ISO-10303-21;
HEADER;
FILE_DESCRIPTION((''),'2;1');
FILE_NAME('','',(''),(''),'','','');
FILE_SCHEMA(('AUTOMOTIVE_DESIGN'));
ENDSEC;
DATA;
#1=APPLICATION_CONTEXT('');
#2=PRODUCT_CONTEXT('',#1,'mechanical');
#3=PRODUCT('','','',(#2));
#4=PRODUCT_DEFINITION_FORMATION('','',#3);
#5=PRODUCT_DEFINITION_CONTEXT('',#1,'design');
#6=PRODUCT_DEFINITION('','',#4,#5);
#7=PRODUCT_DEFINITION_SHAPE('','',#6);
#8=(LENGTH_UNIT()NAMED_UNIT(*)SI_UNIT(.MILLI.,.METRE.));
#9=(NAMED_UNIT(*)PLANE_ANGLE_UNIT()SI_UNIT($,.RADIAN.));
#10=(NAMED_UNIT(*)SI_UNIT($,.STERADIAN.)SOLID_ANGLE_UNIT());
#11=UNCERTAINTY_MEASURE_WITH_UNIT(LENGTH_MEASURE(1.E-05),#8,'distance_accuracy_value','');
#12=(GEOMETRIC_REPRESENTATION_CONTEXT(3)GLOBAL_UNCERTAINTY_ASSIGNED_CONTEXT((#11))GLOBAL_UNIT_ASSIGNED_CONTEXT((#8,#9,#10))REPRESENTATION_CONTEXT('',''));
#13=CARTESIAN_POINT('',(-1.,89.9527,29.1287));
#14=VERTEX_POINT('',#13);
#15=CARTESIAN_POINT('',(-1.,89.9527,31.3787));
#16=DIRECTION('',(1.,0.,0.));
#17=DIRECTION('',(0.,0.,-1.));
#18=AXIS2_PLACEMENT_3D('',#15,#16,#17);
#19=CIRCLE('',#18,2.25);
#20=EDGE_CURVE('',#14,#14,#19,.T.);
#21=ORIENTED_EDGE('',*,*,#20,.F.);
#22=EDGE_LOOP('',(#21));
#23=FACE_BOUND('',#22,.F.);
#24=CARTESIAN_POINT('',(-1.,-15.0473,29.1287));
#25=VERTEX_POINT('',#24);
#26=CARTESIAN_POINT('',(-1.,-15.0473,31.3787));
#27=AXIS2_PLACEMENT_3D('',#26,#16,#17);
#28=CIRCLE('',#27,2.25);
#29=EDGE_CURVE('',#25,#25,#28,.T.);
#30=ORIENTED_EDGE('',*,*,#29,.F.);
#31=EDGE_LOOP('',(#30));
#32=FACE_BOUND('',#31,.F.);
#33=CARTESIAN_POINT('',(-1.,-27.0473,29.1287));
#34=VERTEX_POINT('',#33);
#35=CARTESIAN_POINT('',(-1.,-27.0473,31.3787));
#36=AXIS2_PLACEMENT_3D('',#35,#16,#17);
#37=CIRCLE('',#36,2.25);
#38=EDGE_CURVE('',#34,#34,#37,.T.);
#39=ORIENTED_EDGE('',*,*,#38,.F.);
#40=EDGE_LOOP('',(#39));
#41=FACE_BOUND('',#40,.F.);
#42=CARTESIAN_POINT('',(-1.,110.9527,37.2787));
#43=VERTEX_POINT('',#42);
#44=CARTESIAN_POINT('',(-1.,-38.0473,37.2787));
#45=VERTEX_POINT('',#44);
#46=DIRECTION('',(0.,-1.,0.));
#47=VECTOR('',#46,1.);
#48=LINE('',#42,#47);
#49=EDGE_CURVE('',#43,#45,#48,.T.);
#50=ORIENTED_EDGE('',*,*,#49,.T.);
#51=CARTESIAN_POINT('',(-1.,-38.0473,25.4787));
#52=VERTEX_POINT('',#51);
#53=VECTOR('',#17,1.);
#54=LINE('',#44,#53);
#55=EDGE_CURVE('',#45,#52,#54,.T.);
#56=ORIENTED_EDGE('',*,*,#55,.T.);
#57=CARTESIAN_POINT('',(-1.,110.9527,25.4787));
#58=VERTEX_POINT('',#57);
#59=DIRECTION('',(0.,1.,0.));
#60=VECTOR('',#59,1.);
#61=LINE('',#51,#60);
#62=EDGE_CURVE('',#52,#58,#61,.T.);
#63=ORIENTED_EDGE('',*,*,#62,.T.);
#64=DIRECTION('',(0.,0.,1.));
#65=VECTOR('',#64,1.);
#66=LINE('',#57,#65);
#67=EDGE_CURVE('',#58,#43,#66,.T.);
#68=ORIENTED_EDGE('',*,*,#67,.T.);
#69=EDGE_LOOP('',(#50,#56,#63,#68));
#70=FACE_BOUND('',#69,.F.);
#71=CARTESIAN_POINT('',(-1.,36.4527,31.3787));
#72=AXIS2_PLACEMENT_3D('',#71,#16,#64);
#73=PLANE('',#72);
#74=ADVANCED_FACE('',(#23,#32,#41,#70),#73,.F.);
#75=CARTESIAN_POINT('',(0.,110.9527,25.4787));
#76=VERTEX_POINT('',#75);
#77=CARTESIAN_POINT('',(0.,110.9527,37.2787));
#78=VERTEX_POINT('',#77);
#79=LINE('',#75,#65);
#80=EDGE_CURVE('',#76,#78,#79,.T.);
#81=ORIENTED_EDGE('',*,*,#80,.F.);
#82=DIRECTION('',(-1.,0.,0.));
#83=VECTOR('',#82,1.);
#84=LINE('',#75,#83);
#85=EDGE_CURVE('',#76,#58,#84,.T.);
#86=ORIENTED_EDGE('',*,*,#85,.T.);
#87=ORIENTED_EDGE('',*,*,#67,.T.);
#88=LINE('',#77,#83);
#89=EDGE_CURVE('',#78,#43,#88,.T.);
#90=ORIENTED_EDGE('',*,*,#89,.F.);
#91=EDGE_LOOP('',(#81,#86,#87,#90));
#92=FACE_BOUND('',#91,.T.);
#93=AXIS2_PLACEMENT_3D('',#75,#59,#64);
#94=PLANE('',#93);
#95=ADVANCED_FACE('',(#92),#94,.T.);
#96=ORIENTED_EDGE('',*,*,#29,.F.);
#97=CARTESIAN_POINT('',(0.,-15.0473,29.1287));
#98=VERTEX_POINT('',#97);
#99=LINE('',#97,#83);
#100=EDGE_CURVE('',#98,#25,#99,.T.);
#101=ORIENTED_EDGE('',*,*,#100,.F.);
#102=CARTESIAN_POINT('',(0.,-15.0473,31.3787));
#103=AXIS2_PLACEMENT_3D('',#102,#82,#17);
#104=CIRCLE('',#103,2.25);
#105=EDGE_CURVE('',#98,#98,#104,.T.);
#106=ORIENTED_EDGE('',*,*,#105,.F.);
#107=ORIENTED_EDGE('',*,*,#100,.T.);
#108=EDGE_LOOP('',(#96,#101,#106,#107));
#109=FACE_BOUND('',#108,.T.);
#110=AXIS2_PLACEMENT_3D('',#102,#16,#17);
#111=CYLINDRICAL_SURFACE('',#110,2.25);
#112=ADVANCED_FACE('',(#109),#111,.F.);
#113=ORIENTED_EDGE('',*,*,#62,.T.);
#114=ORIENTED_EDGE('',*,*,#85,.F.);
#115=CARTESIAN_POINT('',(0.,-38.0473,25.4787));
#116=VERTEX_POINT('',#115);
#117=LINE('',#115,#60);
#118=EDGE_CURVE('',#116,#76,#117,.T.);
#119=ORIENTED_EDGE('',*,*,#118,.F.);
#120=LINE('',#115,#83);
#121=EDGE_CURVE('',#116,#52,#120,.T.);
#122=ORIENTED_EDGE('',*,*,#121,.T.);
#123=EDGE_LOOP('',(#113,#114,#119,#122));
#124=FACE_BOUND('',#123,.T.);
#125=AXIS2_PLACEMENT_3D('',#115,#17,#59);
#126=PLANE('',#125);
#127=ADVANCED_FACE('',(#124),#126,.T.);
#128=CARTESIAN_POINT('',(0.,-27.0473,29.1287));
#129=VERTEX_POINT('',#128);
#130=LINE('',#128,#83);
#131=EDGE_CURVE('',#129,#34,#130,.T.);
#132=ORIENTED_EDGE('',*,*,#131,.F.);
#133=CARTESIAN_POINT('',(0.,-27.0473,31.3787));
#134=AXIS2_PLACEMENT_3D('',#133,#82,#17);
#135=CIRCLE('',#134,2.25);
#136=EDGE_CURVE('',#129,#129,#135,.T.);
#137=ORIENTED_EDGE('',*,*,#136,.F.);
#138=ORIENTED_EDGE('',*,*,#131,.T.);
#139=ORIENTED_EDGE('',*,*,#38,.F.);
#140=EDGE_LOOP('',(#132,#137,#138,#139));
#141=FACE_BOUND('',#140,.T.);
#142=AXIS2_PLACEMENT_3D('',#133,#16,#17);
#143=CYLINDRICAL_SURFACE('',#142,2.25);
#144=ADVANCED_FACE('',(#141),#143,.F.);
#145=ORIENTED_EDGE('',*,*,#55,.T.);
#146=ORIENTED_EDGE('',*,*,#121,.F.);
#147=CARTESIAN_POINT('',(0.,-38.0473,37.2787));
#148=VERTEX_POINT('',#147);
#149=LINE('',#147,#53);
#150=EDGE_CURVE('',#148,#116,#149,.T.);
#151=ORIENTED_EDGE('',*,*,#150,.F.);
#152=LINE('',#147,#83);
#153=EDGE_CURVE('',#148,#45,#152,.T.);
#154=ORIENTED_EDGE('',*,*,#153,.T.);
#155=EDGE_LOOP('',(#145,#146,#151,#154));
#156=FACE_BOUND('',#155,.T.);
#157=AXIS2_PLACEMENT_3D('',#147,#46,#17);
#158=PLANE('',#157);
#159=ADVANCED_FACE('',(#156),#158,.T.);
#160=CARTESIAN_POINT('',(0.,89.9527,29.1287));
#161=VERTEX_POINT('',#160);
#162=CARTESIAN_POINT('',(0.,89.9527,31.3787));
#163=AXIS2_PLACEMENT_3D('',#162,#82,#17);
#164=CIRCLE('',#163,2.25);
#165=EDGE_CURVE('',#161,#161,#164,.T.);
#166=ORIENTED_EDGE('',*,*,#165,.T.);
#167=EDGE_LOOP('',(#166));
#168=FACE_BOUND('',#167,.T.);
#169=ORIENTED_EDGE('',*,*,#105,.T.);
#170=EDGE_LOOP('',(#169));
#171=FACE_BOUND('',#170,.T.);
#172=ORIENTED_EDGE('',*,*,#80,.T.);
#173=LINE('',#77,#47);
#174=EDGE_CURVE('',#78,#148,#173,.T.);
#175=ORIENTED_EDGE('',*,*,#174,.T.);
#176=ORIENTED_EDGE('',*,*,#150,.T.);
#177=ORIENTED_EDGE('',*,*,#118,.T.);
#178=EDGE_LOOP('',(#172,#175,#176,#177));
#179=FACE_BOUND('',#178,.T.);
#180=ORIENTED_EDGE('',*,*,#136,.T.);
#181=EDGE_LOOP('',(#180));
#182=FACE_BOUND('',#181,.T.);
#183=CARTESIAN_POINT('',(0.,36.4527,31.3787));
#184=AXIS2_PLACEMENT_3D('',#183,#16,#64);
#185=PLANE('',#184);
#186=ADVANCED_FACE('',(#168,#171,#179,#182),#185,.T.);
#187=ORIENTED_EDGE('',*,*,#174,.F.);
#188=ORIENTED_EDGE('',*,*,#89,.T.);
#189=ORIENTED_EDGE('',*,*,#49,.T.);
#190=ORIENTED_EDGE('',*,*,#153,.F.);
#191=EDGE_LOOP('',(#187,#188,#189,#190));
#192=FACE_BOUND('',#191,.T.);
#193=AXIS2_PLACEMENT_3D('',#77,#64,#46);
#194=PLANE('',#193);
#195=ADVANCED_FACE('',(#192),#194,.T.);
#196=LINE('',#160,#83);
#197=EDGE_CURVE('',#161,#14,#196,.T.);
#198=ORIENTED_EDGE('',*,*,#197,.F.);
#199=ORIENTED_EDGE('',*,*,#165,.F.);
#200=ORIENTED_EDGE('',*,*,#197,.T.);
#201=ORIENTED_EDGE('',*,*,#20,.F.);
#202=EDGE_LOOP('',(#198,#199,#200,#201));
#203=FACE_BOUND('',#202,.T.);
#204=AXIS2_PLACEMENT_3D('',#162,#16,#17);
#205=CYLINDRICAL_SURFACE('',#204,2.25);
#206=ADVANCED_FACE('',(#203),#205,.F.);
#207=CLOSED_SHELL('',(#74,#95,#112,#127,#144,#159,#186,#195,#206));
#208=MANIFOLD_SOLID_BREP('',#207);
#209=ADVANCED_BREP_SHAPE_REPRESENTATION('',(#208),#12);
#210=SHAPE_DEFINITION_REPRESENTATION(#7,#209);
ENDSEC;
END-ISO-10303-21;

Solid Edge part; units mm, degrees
sketch "Sketch1" plane through (0, 0, 0) normal (1, 0, 0) x (0, 1, 0)
  line L0 (-38.0473, 37.2787) -> (-38.0473, 25.4787)
  line L1 (-38.0473, 25.4787) -> (110.9527, 25.4787)
  line L2 (110.9527, 25.4787) -> (110.9527, 37.2787)
  line L3 (110.9527, 37.2787) -> (-38.0473, 37.2787)
  dimension "D1" = 149
  dimension "D2" = 11.8
extrude "Protrusion1" add sketch "Sketch1" against normal blind 1
hole "Hole_1" at (0, -15.0473, 31.3787) direction (-1, 0, 0) diameter 4.5 end through all
hole "Hole1" at (0, 89.9527, 31.3787) direction (-1, 0, 0) diameter 4.5 end through all
hole "Hole2" at (0, -27.0473, 31.3787) direction (-1, 0, 0) diameter 4.5 end through all
